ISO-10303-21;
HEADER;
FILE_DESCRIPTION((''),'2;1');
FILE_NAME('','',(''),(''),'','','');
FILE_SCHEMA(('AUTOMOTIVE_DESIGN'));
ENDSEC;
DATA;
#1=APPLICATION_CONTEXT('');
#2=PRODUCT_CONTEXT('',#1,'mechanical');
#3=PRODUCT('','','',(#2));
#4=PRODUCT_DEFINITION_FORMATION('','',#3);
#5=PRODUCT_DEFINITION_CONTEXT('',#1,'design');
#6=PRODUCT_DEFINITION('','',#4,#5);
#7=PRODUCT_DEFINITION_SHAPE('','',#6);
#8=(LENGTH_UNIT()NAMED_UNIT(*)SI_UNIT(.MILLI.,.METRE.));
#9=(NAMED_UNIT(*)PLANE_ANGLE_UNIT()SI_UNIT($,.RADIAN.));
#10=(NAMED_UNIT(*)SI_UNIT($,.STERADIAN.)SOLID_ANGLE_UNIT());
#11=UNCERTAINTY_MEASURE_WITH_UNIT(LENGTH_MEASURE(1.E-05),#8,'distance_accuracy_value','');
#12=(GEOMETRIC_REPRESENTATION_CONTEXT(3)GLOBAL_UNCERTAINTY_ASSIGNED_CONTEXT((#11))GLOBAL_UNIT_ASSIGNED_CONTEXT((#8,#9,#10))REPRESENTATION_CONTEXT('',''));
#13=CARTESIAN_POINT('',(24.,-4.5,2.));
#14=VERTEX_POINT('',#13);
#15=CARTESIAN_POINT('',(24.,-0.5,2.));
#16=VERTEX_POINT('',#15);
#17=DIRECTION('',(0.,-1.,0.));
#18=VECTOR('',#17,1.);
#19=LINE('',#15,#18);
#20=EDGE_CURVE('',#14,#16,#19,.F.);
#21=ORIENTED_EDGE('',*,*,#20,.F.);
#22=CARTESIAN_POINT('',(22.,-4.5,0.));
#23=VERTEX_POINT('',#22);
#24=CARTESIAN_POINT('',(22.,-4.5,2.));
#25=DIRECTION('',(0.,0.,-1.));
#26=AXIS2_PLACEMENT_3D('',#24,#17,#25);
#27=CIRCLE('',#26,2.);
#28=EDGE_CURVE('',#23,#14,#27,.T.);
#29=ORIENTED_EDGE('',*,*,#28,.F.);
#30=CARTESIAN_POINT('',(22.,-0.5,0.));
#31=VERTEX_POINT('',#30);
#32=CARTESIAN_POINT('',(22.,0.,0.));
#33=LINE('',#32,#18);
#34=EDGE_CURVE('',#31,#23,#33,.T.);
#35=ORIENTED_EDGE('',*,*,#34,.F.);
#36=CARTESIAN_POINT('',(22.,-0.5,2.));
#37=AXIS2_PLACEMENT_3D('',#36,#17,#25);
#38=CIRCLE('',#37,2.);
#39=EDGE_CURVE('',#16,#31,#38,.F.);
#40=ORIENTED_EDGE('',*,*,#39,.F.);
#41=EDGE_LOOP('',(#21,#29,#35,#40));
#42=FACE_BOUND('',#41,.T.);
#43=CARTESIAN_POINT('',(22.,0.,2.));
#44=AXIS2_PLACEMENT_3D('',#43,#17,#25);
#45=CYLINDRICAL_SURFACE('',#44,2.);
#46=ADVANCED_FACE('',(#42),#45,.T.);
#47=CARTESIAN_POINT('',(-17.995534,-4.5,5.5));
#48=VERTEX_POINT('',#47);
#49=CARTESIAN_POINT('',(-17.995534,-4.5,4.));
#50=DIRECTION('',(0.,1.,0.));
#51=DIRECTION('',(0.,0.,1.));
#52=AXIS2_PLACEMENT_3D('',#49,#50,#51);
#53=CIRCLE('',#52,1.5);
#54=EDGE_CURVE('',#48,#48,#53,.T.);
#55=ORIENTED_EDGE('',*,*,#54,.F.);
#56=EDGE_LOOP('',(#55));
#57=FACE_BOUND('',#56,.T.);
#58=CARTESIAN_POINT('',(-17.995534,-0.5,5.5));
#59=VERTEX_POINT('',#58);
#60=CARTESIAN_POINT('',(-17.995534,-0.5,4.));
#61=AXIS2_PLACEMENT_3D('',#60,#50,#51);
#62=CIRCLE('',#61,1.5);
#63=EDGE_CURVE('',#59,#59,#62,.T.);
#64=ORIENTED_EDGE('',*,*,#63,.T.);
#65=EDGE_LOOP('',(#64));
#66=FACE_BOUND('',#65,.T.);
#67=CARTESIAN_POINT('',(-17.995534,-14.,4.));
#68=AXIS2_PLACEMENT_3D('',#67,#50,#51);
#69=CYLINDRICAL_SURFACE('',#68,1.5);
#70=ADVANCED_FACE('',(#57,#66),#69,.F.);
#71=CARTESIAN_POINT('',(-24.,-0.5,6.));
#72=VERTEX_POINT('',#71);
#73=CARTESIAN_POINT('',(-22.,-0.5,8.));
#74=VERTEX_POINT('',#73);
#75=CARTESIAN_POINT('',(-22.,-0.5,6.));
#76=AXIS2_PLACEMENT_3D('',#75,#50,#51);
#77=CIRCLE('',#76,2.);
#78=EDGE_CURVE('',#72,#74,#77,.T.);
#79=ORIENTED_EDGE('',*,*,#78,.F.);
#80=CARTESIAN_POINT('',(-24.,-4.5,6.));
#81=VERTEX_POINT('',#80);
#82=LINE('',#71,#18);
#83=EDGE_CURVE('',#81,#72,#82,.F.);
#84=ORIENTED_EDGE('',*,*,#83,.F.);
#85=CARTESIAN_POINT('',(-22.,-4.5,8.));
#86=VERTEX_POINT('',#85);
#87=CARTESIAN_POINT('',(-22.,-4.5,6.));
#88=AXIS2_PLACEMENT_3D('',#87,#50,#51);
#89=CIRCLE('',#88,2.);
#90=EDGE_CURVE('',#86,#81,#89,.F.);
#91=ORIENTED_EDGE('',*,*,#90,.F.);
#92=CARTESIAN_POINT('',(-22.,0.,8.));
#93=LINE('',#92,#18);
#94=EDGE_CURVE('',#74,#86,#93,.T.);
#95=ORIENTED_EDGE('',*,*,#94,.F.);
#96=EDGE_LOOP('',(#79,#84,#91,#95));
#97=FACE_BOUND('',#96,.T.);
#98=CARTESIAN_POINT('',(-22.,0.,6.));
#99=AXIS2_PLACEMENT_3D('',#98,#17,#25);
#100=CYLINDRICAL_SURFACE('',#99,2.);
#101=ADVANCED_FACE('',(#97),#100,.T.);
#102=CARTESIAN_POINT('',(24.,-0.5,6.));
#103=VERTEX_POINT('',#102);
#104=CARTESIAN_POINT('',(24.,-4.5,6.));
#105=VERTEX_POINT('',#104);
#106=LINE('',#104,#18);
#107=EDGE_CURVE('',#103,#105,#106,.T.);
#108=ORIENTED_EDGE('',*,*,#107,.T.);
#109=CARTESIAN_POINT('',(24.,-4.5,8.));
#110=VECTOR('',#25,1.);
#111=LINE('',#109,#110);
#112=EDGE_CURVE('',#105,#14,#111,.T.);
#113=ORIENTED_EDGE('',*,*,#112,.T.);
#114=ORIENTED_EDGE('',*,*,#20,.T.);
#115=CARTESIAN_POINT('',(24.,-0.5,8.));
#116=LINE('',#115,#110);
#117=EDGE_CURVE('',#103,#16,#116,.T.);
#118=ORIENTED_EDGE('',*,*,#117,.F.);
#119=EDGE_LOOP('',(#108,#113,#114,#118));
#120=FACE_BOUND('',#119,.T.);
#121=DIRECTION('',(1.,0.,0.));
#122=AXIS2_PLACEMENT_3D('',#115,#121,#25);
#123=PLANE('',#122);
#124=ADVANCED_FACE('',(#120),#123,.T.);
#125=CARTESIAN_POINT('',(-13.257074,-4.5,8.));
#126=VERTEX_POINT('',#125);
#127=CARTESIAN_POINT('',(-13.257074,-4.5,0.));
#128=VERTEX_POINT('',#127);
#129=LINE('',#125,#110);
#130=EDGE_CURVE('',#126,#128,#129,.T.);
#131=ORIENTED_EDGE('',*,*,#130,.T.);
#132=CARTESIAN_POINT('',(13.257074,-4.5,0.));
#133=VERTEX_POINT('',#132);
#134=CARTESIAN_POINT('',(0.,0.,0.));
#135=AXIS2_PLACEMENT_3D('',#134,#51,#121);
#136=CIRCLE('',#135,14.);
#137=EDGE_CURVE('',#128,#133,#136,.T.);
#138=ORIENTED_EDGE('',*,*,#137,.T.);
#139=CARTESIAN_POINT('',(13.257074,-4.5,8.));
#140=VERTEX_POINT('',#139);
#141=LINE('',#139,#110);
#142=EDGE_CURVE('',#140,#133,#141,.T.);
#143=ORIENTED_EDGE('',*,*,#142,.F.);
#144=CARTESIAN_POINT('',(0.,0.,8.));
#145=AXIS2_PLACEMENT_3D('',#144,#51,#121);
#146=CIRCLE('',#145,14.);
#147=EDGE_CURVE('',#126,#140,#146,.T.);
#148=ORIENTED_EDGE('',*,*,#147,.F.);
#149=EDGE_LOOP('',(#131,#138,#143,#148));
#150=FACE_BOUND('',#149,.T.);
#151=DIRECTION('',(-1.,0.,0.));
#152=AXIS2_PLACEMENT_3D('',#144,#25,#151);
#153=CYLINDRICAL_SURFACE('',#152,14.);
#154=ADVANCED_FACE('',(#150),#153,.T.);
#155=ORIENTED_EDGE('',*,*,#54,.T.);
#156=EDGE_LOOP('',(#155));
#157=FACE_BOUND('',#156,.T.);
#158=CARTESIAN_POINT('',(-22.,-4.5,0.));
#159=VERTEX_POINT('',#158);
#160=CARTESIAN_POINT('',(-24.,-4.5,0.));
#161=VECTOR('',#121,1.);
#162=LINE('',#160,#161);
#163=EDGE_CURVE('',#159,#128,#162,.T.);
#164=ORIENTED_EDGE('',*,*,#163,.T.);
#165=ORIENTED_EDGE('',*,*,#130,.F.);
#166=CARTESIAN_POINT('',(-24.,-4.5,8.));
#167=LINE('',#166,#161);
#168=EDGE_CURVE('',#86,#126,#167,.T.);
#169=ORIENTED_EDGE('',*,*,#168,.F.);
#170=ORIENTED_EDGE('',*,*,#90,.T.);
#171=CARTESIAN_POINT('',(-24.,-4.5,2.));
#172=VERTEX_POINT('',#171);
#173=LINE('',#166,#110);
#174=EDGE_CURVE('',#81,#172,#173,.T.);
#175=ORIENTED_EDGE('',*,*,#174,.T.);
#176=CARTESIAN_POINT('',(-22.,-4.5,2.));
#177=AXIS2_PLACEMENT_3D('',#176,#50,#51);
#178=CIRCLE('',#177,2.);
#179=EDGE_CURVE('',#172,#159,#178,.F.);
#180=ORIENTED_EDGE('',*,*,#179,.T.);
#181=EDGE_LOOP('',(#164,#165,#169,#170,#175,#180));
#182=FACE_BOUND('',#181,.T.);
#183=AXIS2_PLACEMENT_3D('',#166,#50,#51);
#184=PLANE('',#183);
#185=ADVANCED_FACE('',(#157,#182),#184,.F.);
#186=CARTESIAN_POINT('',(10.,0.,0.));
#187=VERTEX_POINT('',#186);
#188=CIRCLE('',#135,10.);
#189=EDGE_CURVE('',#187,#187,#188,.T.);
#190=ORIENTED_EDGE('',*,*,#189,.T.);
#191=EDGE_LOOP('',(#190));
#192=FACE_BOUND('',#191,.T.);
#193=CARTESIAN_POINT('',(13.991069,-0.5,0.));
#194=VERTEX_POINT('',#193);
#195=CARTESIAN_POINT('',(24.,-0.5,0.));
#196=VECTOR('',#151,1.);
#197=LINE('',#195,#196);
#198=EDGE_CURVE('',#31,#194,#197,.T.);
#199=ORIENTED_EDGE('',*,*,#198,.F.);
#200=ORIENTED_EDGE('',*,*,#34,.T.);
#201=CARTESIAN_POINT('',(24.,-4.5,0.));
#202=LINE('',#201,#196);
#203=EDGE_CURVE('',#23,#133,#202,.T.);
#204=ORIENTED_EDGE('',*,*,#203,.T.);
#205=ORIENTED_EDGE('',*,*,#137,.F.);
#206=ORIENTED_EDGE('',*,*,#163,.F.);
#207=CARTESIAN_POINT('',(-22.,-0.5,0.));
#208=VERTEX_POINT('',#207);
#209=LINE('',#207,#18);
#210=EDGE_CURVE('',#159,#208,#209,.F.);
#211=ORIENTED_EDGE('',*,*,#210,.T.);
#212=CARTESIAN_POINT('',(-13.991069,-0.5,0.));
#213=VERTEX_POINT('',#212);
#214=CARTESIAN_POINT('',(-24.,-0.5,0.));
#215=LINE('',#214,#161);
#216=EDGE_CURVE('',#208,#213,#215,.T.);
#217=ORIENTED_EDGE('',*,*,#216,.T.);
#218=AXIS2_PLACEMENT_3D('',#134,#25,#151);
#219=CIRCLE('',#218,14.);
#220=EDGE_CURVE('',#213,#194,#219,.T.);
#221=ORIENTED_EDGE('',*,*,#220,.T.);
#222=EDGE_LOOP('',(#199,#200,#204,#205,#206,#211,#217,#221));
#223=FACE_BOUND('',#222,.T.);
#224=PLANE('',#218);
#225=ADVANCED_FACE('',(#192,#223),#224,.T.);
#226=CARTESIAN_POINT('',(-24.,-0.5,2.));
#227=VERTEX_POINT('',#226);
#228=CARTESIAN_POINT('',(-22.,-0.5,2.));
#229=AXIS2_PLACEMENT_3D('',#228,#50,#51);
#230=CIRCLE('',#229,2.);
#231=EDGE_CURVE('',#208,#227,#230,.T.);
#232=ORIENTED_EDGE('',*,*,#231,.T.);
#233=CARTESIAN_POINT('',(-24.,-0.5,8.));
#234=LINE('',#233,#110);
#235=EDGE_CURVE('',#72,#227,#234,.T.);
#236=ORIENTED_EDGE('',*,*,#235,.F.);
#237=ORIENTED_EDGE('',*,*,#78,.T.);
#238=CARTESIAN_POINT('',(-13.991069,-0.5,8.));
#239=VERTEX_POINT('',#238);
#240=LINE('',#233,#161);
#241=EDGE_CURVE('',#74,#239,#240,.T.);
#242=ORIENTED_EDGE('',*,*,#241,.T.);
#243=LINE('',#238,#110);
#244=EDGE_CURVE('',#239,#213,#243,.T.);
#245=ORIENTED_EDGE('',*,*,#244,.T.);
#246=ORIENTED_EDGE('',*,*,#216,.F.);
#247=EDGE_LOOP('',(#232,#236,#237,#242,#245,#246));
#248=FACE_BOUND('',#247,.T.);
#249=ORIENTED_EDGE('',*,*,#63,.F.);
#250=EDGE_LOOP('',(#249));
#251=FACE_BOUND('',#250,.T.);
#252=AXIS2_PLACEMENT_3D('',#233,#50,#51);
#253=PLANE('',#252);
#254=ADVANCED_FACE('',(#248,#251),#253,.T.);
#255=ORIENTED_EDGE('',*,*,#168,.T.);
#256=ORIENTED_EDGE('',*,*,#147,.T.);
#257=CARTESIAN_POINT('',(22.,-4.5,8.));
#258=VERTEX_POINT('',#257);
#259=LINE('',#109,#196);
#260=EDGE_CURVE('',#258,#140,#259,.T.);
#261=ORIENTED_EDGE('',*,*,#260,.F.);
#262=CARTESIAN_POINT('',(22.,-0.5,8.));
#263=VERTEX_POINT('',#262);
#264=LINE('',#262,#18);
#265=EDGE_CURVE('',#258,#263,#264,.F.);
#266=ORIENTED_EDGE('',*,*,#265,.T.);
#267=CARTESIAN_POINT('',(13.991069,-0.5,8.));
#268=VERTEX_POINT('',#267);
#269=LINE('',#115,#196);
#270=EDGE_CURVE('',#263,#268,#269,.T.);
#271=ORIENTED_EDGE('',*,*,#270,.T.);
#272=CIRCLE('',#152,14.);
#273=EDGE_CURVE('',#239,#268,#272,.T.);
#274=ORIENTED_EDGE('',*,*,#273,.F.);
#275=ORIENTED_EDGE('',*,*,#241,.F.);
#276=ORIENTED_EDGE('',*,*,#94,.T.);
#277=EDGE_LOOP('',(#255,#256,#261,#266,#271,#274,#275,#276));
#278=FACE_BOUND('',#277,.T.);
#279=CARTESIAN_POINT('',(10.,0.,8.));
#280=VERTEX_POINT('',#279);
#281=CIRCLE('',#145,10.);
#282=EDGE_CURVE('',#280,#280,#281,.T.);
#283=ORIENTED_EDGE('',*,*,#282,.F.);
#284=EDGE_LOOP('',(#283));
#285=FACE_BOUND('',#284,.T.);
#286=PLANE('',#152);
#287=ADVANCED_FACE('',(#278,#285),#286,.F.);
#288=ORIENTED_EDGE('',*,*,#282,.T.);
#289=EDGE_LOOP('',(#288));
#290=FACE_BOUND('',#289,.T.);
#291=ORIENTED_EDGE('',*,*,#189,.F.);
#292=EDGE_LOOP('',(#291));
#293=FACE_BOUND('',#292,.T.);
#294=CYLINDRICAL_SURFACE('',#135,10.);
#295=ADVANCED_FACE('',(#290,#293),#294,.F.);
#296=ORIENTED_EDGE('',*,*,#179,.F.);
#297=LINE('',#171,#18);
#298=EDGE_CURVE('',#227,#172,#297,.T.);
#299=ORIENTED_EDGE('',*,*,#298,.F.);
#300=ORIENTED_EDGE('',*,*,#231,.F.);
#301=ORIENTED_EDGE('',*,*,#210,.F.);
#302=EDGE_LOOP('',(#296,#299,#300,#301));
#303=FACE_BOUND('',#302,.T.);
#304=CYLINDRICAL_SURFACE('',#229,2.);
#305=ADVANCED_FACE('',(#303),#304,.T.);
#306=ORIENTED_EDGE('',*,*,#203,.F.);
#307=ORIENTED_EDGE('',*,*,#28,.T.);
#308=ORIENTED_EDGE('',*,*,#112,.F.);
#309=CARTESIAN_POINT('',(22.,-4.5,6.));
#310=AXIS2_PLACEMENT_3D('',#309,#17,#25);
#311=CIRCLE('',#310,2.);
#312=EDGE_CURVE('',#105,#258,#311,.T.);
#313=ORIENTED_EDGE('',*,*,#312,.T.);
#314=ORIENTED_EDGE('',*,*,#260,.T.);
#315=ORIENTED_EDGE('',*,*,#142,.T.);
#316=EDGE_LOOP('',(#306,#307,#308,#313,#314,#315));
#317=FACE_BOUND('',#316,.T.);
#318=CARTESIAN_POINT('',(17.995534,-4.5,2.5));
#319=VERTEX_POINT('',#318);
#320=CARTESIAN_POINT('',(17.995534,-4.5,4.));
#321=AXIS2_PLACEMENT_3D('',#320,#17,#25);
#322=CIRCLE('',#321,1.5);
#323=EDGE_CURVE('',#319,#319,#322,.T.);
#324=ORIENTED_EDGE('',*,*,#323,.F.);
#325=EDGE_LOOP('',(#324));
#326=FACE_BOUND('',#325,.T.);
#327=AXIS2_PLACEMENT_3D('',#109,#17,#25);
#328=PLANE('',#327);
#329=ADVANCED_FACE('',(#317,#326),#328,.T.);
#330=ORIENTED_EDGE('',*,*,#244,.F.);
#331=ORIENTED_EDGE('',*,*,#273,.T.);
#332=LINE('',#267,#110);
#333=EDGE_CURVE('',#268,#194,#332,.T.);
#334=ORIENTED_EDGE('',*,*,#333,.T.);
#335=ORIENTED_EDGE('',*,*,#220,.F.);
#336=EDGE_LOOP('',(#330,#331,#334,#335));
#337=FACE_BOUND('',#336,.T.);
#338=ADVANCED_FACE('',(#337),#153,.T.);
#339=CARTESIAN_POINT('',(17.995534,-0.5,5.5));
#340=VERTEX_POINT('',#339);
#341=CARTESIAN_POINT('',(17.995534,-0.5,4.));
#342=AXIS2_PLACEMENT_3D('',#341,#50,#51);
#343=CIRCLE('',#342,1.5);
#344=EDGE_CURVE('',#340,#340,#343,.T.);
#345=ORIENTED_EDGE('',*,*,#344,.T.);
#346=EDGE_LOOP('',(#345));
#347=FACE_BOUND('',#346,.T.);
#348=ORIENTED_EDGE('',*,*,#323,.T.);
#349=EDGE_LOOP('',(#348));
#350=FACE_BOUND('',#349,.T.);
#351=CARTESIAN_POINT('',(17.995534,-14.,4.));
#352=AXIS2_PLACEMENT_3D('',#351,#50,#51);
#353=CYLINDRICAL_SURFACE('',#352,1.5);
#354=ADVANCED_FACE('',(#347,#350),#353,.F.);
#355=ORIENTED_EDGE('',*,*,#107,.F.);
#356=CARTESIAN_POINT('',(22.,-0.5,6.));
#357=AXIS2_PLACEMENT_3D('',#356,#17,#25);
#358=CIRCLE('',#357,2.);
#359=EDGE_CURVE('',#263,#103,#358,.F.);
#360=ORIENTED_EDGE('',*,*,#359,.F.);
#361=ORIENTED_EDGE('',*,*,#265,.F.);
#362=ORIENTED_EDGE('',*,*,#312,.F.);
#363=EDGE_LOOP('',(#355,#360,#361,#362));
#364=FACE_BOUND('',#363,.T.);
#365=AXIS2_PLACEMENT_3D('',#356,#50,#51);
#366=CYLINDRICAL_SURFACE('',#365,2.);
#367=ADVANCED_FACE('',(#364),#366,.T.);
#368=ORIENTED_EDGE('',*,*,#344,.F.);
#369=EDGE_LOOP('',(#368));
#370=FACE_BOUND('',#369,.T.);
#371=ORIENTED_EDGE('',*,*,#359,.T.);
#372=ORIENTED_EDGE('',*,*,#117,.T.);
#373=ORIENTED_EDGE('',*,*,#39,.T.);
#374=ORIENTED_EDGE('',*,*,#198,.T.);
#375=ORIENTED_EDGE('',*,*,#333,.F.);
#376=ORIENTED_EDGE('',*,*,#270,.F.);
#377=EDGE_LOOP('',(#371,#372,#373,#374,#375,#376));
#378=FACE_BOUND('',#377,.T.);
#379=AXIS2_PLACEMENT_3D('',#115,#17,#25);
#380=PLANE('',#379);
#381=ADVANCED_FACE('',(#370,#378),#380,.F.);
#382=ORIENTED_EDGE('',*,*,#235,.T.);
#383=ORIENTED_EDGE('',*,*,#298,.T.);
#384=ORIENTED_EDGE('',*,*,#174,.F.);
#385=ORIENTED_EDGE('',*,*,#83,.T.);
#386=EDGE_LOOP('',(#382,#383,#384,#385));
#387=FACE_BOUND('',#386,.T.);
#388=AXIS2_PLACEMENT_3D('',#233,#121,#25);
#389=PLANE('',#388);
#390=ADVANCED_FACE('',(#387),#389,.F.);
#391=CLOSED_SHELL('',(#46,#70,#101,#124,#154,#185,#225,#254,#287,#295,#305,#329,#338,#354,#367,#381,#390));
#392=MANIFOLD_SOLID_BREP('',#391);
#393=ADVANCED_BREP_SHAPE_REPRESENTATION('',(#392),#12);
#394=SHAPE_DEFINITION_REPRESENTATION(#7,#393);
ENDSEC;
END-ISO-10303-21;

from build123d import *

# Parameters (mm, degrees)
SALIENTE_EXTRUIR1_DEPTH = 8
CROQUIS2_R              = 10
CORTAR_EXTRUIR1_DEPTH   = 29.91366459
REDONDEO1_R             = 2
CROQUIS3_R              = 1.5
CORTAR_EXTRUIR2_DEPTH   = 30.159046624


with BuildPart() as part:
    # Croquis1 → Saliente-Extruir1 (new body)
    with BuildSketch(Plane.XY):
        with BuildLine():
            Line((-24, -0.5), (-13.99106858, -0.5))
            ThreePointArc((-13.99106858, -0.5), (0, 14), (13.99106858, -0.5))
            Line((13.99106858, -0.5), (24, -0.5))
            Line((24, -0.5), (24, -4.5))
            Line((24, -4.5), (13.257073584, -4.5))
            ThreePointArc((13.257073584, -4.5), (0, -14), (-13.257073584, -4.5))
            Line((-13.257073584, -4.5), (-24, -4.5))
            Line((-24, -4.5), (-24, -0.5))
        make_face()
    extrude(amount=SALIENTE_EXTRUIR1_DEPTH)

    # Croquis2 → Cortar-Extruir1 (cut, through all)
    with BuildSketch(Plane.XY.offset(8)):
        Circle(CROQUIS2_R)
    extrude(amount=-CORTAR_EXTRUIR1_DEPTH, mode=Mode.SUBTRACT)

    # Redondeo1
    redondeo1_edges = [part.edges().sort_by_distance(p)[0] for p in [
        (24, -2.5, 8),
        (-24, -2.5, 8),
        (-24, -2.5, 0),
        (24, -2.5, 0),
    ]]
    fillet(redondeo1_edges, radius=REDONDEO1_R)

    # Croquis3 → Cortar-Extruir2 (cut, through all)
    with BuildSketch(Plane(origin=(0, -0.5, 0), x_dir=(1, 0, 0), z_dir=(0, 1, 0))):
        with Locations(Location((-17.99553429, -4, 0), (0, 0, 270))):
            Circle(CROQUIS3_R)
        with Locations(Location((17.99553429, -4, 0), (0, 0, 270))):
            Circle(CROQUIS3_R)
    extrude(amount=-CORTAR_EXTRUIR2_DEPTH, mode=Mode.SUBTRACT)


solid = part.part
